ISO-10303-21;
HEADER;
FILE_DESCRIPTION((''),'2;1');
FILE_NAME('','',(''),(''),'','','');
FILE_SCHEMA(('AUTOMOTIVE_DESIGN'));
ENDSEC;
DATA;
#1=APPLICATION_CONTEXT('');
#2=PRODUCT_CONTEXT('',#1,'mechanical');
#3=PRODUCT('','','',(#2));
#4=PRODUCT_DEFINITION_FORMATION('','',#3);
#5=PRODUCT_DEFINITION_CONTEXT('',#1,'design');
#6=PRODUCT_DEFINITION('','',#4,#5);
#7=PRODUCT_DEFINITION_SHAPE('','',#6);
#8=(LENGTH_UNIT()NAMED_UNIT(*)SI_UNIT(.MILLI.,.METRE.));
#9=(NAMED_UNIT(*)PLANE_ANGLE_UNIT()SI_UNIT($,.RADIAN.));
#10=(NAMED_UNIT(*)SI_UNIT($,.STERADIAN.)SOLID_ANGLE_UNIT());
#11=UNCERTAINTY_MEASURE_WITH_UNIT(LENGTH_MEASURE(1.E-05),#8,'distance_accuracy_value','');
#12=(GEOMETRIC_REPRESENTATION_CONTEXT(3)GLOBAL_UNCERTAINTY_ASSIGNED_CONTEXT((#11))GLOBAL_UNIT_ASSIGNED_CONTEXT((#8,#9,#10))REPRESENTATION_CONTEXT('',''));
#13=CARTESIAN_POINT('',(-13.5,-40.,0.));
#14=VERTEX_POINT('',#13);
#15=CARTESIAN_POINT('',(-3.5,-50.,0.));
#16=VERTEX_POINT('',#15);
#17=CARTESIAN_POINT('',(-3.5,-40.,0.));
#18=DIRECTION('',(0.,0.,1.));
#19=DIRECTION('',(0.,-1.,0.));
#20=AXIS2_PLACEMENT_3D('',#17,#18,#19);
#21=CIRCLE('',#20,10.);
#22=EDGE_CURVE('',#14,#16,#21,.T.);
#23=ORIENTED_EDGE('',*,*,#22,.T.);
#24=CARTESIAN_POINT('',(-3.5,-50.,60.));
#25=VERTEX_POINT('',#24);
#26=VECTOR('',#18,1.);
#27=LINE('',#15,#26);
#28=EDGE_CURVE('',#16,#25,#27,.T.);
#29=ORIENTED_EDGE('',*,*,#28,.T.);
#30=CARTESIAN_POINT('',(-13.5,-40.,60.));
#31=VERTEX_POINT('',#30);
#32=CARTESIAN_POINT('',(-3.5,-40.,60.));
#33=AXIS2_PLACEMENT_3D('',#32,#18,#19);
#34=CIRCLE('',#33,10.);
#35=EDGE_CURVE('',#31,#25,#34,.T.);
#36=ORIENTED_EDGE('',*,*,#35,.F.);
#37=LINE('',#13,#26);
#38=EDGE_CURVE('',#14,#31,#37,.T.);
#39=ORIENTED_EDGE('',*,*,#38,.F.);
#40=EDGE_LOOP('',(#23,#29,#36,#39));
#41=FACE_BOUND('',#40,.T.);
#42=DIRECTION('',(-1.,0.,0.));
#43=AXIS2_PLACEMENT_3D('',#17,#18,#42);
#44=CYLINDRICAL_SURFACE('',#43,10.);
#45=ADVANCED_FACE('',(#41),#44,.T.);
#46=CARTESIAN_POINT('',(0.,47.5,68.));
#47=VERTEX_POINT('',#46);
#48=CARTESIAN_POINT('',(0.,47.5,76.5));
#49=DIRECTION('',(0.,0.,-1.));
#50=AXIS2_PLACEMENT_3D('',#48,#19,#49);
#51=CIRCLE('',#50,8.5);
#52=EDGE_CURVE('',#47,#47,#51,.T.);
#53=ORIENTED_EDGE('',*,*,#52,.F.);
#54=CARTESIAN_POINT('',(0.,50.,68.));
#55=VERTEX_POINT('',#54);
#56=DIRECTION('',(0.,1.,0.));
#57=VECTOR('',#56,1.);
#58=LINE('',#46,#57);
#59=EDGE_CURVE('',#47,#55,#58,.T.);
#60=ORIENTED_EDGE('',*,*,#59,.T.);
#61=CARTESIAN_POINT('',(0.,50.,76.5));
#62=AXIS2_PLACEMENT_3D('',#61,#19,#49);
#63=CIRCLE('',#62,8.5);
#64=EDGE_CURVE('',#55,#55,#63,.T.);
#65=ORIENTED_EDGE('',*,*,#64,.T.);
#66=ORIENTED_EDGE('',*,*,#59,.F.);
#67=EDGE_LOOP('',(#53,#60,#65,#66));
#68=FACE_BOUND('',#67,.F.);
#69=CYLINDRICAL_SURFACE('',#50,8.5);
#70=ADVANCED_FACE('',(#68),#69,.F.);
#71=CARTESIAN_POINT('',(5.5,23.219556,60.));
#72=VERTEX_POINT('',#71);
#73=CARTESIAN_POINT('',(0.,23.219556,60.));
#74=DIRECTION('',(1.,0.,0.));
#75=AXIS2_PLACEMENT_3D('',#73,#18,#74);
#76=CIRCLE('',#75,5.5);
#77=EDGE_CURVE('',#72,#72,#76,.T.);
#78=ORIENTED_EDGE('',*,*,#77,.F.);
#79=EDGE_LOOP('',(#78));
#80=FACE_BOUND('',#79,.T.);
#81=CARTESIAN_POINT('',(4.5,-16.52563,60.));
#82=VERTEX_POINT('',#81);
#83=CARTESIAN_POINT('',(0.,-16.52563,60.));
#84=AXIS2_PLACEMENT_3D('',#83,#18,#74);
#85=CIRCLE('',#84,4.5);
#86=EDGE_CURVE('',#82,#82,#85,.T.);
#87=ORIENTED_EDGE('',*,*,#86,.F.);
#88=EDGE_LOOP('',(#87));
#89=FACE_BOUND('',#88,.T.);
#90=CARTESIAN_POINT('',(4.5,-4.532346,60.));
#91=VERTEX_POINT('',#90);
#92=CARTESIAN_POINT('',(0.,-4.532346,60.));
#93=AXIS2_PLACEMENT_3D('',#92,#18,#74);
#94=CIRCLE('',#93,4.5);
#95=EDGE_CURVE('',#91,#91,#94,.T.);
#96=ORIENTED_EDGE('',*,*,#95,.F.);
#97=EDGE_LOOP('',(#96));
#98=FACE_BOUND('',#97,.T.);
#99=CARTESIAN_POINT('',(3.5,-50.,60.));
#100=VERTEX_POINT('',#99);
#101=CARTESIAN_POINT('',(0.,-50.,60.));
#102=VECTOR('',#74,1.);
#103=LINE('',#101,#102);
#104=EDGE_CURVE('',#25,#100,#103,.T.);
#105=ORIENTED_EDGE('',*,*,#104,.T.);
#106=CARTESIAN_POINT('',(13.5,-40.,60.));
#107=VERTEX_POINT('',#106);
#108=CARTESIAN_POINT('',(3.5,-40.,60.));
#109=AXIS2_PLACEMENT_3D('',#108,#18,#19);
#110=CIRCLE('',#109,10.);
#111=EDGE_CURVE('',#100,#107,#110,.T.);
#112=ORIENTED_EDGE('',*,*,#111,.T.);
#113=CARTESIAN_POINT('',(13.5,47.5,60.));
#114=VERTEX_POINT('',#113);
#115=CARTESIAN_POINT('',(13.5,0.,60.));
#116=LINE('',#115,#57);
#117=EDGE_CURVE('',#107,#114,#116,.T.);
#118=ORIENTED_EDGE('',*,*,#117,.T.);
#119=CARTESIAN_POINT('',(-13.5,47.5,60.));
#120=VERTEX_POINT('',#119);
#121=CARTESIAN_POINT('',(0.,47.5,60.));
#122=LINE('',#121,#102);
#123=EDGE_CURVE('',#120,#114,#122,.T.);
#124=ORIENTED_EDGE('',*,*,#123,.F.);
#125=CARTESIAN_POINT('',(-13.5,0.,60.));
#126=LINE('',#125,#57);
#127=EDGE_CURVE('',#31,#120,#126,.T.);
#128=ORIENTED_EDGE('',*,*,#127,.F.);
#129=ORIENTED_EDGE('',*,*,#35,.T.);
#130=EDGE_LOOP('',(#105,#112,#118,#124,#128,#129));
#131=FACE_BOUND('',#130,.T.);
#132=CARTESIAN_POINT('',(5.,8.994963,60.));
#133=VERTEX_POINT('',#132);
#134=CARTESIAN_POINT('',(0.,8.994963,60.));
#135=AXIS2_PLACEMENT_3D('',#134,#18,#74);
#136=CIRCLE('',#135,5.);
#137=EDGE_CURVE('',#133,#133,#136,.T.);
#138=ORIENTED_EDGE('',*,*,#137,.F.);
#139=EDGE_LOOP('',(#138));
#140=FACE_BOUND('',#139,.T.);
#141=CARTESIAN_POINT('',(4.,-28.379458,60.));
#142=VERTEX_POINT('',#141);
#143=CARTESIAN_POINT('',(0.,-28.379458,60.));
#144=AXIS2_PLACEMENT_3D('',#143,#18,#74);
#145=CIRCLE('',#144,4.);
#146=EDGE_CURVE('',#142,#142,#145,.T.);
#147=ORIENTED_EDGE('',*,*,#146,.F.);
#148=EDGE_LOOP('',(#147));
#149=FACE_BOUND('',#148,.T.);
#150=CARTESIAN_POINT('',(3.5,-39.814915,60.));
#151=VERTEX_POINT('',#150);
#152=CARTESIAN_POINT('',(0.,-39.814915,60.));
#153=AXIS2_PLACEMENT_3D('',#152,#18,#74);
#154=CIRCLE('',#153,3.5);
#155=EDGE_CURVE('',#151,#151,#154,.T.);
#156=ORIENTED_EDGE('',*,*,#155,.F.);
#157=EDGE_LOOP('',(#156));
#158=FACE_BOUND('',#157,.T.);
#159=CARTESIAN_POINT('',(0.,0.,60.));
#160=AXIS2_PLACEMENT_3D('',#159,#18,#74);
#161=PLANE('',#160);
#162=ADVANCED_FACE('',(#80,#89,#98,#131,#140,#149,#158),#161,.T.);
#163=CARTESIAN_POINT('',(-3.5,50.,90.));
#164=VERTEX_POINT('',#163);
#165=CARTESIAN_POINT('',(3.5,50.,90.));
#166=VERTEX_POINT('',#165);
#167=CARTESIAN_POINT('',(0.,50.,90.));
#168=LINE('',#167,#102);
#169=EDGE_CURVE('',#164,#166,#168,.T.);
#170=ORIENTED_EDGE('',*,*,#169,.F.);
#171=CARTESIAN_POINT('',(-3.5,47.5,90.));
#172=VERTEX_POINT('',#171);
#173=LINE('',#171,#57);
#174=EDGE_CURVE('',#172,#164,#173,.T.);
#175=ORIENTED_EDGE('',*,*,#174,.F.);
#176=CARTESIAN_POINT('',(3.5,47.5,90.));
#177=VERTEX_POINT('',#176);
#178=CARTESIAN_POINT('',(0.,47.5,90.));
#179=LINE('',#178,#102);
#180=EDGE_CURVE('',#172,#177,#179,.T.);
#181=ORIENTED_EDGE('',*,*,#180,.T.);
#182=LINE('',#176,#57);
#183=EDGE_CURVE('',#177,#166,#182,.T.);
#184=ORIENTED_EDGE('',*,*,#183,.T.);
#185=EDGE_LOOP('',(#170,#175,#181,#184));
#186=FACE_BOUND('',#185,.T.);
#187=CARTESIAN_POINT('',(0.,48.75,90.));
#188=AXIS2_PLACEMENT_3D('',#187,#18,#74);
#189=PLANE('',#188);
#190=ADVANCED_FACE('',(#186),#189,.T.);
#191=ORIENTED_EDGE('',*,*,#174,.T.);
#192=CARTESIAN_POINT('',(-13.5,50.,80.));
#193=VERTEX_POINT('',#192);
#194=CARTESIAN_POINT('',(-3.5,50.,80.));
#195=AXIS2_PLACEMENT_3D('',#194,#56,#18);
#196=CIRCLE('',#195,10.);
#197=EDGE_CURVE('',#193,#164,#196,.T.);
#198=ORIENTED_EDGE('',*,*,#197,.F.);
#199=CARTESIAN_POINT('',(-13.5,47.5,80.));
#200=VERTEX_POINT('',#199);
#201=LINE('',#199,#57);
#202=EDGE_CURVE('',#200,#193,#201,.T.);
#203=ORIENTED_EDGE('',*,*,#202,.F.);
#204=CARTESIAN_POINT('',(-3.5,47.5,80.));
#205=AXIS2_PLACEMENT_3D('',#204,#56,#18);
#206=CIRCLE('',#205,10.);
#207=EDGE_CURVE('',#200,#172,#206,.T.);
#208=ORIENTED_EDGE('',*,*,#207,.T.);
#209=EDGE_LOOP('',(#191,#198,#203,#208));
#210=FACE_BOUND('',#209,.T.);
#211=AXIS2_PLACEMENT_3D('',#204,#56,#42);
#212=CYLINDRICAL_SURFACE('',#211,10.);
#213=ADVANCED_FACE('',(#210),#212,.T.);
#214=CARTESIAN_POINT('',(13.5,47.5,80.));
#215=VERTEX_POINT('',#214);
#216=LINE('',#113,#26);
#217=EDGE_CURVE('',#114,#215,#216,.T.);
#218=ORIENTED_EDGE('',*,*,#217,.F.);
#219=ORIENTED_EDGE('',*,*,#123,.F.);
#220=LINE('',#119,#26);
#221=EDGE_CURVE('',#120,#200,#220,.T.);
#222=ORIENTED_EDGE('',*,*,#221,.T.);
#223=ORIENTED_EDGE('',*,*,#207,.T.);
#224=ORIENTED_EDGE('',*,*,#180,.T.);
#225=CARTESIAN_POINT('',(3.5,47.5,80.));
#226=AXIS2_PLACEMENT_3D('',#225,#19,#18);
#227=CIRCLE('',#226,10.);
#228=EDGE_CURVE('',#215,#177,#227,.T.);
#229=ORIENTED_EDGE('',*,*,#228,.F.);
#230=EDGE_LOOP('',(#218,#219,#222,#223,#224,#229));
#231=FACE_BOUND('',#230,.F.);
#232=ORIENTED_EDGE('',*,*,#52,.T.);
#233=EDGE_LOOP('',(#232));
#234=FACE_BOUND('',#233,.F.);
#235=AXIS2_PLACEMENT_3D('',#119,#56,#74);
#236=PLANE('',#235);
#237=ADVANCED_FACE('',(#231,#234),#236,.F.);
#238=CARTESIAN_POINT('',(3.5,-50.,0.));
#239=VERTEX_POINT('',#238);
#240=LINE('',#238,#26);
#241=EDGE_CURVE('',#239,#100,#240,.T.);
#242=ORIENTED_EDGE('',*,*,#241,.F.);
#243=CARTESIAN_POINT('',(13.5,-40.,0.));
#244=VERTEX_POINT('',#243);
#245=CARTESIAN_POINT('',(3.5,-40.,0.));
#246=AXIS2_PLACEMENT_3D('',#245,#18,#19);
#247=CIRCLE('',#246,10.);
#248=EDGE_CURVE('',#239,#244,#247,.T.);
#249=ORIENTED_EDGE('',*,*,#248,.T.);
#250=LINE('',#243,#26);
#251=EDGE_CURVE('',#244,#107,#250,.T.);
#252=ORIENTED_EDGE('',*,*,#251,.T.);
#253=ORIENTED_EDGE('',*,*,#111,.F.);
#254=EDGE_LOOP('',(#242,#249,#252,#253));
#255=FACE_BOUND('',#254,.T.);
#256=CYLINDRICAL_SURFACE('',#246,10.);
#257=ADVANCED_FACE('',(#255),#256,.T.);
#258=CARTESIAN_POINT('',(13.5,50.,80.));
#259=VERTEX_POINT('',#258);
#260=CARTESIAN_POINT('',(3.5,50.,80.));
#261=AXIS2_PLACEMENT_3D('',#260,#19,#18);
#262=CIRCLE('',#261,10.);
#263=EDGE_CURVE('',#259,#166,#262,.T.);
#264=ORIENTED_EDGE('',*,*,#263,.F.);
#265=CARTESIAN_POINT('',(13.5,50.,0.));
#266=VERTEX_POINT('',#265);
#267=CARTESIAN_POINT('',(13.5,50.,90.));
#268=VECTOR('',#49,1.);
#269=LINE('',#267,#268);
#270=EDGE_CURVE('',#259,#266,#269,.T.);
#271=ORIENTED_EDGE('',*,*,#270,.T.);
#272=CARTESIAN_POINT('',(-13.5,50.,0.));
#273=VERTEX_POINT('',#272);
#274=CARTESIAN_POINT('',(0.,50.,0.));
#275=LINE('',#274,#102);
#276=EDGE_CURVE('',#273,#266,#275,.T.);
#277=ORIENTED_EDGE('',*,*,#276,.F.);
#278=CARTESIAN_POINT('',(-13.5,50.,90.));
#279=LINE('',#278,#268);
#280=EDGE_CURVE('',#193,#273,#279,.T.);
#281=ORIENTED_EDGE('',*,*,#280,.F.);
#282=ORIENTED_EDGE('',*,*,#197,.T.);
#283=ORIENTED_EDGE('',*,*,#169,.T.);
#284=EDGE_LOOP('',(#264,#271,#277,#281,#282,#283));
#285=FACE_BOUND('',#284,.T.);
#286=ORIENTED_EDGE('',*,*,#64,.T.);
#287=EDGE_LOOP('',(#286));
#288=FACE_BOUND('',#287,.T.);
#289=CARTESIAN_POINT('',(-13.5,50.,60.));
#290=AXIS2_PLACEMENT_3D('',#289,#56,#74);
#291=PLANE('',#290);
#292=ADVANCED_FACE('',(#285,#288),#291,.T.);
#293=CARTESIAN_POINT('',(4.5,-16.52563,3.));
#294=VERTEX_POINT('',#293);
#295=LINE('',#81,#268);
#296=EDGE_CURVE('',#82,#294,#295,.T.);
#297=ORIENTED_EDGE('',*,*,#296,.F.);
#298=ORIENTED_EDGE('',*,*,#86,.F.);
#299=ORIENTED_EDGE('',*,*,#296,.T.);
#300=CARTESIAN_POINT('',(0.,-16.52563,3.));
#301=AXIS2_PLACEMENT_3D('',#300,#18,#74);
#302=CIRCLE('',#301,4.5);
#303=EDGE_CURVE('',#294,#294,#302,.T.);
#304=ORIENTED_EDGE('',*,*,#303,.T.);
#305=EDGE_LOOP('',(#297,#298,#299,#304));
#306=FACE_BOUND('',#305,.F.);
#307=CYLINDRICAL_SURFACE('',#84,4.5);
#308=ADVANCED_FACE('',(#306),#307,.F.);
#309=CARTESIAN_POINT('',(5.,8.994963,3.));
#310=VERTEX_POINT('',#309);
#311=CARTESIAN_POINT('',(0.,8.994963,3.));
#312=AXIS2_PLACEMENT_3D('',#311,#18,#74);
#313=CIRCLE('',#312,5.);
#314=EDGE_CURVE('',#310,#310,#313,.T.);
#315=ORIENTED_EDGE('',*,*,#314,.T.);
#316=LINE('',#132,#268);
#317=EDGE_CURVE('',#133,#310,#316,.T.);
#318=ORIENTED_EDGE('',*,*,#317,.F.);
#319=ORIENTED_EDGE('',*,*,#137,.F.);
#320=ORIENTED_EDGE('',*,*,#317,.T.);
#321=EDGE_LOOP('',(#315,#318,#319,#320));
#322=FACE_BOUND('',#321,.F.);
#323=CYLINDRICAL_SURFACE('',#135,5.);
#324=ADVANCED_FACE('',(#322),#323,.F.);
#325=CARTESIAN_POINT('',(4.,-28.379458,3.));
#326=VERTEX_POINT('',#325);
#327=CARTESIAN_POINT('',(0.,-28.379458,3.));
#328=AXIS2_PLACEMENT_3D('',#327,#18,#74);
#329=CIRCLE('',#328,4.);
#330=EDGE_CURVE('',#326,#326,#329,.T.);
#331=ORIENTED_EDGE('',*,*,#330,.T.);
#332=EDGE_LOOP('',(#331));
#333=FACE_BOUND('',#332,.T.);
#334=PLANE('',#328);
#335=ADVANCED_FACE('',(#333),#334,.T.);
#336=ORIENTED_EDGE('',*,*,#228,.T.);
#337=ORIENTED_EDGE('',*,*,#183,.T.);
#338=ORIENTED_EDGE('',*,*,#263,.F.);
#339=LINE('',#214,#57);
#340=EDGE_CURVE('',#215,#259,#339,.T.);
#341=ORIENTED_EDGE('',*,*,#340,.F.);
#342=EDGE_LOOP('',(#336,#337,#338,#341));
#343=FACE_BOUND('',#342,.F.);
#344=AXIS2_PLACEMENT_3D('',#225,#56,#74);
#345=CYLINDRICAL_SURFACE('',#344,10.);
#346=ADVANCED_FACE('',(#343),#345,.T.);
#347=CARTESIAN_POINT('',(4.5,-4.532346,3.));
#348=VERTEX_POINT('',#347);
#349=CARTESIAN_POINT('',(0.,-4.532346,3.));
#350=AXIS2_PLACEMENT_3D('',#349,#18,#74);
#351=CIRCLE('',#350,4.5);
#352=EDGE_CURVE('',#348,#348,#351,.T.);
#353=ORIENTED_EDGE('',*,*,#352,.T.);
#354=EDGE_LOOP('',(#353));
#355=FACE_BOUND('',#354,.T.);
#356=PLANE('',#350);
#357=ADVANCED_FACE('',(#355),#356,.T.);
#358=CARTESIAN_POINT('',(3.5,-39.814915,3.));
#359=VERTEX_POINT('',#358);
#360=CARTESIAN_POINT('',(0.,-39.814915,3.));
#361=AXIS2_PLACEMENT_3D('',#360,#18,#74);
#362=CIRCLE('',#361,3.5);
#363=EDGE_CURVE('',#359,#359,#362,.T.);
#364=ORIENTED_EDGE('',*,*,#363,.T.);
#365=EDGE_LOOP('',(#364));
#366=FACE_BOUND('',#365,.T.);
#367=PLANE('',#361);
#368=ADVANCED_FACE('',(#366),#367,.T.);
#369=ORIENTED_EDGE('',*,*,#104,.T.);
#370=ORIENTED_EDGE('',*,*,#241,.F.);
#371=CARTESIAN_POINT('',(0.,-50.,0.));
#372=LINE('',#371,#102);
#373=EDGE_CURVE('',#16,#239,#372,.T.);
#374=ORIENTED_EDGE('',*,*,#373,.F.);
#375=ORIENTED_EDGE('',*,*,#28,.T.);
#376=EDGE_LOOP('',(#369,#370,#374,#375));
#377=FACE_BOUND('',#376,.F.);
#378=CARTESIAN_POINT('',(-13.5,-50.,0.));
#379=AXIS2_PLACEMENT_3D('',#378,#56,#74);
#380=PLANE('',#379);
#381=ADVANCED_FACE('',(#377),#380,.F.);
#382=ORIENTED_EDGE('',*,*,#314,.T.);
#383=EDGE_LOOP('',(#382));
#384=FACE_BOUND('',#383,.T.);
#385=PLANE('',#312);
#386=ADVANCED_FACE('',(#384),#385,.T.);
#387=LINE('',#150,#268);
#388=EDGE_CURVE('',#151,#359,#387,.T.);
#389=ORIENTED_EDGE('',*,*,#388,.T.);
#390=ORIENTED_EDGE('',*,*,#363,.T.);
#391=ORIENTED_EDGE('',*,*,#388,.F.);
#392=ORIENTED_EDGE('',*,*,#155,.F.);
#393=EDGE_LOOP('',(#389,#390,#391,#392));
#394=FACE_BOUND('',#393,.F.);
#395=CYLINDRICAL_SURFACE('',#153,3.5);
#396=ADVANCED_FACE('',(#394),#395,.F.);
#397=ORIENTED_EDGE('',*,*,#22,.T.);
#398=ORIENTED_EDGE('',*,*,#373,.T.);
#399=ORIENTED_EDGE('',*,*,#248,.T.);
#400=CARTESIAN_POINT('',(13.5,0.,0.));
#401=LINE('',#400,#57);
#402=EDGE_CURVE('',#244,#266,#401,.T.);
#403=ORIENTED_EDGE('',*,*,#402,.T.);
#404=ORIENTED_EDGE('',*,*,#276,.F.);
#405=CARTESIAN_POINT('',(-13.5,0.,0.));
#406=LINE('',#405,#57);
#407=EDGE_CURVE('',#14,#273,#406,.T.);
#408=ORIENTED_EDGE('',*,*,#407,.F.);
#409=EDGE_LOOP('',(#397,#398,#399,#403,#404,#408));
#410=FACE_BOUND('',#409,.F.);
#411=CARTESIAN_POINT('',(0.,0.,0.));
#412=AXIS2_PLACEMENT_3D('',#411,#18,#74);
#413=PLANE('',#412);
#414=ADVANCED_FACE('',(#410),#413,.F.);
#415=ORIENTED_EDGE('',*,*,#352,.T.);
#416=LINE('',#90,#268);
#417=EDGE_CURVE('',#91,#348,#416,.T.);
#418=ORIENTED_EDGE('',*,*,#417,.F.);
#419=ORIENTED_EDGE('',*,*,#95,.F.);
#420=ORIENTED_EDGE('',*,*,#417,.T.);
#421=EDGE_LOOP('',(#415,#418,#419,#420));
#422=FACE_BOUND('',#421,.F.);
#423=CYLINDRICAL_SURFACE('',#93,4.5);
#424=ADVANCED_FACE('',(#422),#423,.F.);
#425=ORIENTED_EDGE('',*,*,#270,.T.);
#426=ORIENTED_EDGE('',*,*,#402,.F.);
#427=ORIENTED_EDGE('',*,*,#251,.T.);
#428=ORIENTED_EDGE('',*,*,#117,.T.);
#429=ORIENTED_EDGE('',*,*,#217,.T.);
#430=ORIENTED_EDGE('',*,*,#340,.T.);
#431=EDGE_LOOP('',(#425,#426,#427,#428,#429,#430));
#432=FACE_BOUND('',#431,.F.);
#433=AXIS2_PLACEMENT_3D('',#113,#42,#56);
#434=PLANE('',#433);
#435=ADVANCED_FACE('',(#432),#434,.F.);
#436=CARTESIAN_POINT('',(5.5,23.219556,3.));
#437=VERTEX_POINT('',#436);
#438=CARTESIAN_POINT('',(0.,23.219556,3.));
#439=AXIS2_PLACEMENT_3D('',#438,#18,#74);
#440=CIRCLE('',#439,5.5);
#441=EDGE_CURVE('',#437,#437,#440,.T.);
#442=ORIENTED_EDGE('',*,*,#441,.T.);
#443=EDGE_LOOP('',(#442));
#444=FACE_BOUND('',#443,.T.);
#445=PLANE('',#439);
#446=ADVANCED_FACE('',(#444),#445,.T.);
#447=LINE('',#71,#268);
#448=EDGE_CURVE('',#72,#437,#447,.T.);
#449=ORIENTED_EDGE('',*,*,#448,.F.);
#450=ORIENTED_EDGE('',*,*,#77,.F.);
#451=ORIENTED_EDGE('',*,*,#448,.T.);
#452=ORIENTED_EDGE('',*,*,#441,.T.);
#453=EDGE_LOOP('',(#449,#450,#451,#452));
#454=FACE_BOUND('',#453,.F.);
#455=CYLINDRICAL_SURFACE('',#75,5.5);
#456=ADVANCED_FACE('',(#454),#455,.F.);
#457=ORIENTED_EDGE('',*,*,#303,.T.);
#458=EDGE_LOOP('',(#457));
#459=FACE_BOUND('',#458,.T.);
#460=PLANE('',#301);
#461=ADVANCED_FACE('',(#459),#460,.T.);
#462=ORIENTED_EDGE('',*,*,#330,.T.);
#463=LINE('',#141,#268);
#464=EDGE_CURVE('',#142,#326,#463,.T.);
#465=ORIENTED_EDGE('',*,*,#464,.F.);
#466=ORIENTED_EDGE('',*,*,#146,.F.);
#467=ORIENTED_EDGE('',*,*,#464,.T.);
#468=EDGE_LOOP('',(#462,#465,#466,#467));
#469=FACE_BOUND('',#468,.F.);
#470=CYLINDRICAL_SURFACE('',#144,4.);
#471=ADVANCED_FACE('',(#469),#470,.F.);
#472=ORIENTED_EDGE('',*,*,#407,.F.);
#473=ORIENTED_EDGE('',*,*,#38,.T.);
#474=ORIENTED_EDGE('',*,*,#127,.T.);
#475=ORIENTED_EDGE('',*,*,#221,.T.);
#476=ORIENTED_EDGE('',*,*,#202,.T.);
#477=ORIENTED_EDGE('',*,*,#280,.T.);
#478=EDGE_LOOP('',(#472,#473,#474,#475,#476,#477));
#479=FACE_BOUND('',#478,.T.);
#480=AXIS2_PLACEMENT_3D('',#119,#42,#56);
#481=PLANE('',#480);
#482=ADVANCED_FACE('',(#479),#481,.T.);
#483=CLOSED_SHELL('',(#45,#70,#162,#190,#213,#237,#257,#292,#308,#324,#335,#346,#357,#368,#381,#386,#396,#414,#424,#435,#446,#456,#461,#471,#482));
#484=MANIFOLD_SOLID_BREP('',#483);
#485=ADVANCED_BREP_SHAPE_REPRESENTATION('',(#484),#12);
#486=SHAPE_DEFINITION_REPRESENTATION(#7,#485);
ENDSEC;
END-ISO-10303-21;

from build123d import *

# Parameters (mm, degrees)
SKETCH1_W           = 27
SKETCH1_H           = 100
BOSS_EXTRUDE1_DEPTH = 60
FILLET1_R           = 10
SKETCH2_W           = 27
SKETCH2_H           = 2.5
BOSS_EXTRUDE2_DEPTH = 30
FILLET2_R           = 10
SKETCH3_R           = 8.5
CUT_EXTRUDE1_DEPTH  = 134.373535606
SKETCH4_R           = 5.5
SKETCH4_R_2         = 5
SKETCH4_R_3         = 4.5
SKETCH4_R_4         = 4
SKETCH4_R_5         = 3.5
CUT_EXTRUDE2_DEPTH  = 57


with BuildPart() as part:
    # Sketch1 → Boss-Extrude1 (new body)
    with BuildSketch(Plane.XY):
        Rectangle(SKETCH1_W, SKETCH1_H)
    extrude(amount=BOSS_EXTRUDE1_DEPTH)

    # Fillet1
    fillet1_edges = [part.edges().sort_by_distance(p)[0] for p in [
        (13.5, -50, 30),
        (-13.5, -50, 30),
    ]]
    fillet(fillet1_edges, radius=FILLET1_R)

    # Sketch2 → Boss-Extrude2 (add)
    with BuildSketch(Plane.XY.offset(60)):
        with Locations((0, 48.75)):
            Rectangle(SKETCH2_W, SKETCH2_H)
    extrude(amount=BOSS_EXTRUDE2_DEPTH)

    # Fillet2
    fillet2_edges = [part.edges().sort_by_distance(p)[0] for p in [
        (-13.5, 48.75, 90),
        (13.5, 48.75, 90),
    ]]
    fillet(fillet2_edges, radius=FILLET2_R)

    # Sketch3 → Cut-Extrude1 (cut, through all)
    with BuildSketch(Plane.XZ.offset(-47.5)):
        with Locations(Location((0, 76.5, 0), (0, 0, 270))):
            Circle(SKETCH3_R)
    extrude(amount=-CUT_EXTRUDE1_DEPTH, mode=Mode.SUBTRACT)

    # Sketch4 → Cut-Extrude2 (cut)
    with BuildSketch(Plane.XY.offset(60)):
        with Locations((0, 23.219556201)):
            Circle(SKETCH4_R)
        with Locations((0, 8.994963213)):
            Circle(SKETCH4_R_2)
        with Locations((0, -4.532345805)):
            Circle(SKETCH4_R_3)
        with Locations((0, -16.525630089)):
            Circle(SKETCH4_R_3)
        with Locations((0, -28.379457578)):
            Circle(SKETCH4_R_4)
        with Locations((0, -39.814914686)):
            Circle(SKETCH4_R_5)
    extrude(amount=-CUT_EXTRUDE2_DEPTH, mode=Mode.SUBTRACT)


solid = part.part
